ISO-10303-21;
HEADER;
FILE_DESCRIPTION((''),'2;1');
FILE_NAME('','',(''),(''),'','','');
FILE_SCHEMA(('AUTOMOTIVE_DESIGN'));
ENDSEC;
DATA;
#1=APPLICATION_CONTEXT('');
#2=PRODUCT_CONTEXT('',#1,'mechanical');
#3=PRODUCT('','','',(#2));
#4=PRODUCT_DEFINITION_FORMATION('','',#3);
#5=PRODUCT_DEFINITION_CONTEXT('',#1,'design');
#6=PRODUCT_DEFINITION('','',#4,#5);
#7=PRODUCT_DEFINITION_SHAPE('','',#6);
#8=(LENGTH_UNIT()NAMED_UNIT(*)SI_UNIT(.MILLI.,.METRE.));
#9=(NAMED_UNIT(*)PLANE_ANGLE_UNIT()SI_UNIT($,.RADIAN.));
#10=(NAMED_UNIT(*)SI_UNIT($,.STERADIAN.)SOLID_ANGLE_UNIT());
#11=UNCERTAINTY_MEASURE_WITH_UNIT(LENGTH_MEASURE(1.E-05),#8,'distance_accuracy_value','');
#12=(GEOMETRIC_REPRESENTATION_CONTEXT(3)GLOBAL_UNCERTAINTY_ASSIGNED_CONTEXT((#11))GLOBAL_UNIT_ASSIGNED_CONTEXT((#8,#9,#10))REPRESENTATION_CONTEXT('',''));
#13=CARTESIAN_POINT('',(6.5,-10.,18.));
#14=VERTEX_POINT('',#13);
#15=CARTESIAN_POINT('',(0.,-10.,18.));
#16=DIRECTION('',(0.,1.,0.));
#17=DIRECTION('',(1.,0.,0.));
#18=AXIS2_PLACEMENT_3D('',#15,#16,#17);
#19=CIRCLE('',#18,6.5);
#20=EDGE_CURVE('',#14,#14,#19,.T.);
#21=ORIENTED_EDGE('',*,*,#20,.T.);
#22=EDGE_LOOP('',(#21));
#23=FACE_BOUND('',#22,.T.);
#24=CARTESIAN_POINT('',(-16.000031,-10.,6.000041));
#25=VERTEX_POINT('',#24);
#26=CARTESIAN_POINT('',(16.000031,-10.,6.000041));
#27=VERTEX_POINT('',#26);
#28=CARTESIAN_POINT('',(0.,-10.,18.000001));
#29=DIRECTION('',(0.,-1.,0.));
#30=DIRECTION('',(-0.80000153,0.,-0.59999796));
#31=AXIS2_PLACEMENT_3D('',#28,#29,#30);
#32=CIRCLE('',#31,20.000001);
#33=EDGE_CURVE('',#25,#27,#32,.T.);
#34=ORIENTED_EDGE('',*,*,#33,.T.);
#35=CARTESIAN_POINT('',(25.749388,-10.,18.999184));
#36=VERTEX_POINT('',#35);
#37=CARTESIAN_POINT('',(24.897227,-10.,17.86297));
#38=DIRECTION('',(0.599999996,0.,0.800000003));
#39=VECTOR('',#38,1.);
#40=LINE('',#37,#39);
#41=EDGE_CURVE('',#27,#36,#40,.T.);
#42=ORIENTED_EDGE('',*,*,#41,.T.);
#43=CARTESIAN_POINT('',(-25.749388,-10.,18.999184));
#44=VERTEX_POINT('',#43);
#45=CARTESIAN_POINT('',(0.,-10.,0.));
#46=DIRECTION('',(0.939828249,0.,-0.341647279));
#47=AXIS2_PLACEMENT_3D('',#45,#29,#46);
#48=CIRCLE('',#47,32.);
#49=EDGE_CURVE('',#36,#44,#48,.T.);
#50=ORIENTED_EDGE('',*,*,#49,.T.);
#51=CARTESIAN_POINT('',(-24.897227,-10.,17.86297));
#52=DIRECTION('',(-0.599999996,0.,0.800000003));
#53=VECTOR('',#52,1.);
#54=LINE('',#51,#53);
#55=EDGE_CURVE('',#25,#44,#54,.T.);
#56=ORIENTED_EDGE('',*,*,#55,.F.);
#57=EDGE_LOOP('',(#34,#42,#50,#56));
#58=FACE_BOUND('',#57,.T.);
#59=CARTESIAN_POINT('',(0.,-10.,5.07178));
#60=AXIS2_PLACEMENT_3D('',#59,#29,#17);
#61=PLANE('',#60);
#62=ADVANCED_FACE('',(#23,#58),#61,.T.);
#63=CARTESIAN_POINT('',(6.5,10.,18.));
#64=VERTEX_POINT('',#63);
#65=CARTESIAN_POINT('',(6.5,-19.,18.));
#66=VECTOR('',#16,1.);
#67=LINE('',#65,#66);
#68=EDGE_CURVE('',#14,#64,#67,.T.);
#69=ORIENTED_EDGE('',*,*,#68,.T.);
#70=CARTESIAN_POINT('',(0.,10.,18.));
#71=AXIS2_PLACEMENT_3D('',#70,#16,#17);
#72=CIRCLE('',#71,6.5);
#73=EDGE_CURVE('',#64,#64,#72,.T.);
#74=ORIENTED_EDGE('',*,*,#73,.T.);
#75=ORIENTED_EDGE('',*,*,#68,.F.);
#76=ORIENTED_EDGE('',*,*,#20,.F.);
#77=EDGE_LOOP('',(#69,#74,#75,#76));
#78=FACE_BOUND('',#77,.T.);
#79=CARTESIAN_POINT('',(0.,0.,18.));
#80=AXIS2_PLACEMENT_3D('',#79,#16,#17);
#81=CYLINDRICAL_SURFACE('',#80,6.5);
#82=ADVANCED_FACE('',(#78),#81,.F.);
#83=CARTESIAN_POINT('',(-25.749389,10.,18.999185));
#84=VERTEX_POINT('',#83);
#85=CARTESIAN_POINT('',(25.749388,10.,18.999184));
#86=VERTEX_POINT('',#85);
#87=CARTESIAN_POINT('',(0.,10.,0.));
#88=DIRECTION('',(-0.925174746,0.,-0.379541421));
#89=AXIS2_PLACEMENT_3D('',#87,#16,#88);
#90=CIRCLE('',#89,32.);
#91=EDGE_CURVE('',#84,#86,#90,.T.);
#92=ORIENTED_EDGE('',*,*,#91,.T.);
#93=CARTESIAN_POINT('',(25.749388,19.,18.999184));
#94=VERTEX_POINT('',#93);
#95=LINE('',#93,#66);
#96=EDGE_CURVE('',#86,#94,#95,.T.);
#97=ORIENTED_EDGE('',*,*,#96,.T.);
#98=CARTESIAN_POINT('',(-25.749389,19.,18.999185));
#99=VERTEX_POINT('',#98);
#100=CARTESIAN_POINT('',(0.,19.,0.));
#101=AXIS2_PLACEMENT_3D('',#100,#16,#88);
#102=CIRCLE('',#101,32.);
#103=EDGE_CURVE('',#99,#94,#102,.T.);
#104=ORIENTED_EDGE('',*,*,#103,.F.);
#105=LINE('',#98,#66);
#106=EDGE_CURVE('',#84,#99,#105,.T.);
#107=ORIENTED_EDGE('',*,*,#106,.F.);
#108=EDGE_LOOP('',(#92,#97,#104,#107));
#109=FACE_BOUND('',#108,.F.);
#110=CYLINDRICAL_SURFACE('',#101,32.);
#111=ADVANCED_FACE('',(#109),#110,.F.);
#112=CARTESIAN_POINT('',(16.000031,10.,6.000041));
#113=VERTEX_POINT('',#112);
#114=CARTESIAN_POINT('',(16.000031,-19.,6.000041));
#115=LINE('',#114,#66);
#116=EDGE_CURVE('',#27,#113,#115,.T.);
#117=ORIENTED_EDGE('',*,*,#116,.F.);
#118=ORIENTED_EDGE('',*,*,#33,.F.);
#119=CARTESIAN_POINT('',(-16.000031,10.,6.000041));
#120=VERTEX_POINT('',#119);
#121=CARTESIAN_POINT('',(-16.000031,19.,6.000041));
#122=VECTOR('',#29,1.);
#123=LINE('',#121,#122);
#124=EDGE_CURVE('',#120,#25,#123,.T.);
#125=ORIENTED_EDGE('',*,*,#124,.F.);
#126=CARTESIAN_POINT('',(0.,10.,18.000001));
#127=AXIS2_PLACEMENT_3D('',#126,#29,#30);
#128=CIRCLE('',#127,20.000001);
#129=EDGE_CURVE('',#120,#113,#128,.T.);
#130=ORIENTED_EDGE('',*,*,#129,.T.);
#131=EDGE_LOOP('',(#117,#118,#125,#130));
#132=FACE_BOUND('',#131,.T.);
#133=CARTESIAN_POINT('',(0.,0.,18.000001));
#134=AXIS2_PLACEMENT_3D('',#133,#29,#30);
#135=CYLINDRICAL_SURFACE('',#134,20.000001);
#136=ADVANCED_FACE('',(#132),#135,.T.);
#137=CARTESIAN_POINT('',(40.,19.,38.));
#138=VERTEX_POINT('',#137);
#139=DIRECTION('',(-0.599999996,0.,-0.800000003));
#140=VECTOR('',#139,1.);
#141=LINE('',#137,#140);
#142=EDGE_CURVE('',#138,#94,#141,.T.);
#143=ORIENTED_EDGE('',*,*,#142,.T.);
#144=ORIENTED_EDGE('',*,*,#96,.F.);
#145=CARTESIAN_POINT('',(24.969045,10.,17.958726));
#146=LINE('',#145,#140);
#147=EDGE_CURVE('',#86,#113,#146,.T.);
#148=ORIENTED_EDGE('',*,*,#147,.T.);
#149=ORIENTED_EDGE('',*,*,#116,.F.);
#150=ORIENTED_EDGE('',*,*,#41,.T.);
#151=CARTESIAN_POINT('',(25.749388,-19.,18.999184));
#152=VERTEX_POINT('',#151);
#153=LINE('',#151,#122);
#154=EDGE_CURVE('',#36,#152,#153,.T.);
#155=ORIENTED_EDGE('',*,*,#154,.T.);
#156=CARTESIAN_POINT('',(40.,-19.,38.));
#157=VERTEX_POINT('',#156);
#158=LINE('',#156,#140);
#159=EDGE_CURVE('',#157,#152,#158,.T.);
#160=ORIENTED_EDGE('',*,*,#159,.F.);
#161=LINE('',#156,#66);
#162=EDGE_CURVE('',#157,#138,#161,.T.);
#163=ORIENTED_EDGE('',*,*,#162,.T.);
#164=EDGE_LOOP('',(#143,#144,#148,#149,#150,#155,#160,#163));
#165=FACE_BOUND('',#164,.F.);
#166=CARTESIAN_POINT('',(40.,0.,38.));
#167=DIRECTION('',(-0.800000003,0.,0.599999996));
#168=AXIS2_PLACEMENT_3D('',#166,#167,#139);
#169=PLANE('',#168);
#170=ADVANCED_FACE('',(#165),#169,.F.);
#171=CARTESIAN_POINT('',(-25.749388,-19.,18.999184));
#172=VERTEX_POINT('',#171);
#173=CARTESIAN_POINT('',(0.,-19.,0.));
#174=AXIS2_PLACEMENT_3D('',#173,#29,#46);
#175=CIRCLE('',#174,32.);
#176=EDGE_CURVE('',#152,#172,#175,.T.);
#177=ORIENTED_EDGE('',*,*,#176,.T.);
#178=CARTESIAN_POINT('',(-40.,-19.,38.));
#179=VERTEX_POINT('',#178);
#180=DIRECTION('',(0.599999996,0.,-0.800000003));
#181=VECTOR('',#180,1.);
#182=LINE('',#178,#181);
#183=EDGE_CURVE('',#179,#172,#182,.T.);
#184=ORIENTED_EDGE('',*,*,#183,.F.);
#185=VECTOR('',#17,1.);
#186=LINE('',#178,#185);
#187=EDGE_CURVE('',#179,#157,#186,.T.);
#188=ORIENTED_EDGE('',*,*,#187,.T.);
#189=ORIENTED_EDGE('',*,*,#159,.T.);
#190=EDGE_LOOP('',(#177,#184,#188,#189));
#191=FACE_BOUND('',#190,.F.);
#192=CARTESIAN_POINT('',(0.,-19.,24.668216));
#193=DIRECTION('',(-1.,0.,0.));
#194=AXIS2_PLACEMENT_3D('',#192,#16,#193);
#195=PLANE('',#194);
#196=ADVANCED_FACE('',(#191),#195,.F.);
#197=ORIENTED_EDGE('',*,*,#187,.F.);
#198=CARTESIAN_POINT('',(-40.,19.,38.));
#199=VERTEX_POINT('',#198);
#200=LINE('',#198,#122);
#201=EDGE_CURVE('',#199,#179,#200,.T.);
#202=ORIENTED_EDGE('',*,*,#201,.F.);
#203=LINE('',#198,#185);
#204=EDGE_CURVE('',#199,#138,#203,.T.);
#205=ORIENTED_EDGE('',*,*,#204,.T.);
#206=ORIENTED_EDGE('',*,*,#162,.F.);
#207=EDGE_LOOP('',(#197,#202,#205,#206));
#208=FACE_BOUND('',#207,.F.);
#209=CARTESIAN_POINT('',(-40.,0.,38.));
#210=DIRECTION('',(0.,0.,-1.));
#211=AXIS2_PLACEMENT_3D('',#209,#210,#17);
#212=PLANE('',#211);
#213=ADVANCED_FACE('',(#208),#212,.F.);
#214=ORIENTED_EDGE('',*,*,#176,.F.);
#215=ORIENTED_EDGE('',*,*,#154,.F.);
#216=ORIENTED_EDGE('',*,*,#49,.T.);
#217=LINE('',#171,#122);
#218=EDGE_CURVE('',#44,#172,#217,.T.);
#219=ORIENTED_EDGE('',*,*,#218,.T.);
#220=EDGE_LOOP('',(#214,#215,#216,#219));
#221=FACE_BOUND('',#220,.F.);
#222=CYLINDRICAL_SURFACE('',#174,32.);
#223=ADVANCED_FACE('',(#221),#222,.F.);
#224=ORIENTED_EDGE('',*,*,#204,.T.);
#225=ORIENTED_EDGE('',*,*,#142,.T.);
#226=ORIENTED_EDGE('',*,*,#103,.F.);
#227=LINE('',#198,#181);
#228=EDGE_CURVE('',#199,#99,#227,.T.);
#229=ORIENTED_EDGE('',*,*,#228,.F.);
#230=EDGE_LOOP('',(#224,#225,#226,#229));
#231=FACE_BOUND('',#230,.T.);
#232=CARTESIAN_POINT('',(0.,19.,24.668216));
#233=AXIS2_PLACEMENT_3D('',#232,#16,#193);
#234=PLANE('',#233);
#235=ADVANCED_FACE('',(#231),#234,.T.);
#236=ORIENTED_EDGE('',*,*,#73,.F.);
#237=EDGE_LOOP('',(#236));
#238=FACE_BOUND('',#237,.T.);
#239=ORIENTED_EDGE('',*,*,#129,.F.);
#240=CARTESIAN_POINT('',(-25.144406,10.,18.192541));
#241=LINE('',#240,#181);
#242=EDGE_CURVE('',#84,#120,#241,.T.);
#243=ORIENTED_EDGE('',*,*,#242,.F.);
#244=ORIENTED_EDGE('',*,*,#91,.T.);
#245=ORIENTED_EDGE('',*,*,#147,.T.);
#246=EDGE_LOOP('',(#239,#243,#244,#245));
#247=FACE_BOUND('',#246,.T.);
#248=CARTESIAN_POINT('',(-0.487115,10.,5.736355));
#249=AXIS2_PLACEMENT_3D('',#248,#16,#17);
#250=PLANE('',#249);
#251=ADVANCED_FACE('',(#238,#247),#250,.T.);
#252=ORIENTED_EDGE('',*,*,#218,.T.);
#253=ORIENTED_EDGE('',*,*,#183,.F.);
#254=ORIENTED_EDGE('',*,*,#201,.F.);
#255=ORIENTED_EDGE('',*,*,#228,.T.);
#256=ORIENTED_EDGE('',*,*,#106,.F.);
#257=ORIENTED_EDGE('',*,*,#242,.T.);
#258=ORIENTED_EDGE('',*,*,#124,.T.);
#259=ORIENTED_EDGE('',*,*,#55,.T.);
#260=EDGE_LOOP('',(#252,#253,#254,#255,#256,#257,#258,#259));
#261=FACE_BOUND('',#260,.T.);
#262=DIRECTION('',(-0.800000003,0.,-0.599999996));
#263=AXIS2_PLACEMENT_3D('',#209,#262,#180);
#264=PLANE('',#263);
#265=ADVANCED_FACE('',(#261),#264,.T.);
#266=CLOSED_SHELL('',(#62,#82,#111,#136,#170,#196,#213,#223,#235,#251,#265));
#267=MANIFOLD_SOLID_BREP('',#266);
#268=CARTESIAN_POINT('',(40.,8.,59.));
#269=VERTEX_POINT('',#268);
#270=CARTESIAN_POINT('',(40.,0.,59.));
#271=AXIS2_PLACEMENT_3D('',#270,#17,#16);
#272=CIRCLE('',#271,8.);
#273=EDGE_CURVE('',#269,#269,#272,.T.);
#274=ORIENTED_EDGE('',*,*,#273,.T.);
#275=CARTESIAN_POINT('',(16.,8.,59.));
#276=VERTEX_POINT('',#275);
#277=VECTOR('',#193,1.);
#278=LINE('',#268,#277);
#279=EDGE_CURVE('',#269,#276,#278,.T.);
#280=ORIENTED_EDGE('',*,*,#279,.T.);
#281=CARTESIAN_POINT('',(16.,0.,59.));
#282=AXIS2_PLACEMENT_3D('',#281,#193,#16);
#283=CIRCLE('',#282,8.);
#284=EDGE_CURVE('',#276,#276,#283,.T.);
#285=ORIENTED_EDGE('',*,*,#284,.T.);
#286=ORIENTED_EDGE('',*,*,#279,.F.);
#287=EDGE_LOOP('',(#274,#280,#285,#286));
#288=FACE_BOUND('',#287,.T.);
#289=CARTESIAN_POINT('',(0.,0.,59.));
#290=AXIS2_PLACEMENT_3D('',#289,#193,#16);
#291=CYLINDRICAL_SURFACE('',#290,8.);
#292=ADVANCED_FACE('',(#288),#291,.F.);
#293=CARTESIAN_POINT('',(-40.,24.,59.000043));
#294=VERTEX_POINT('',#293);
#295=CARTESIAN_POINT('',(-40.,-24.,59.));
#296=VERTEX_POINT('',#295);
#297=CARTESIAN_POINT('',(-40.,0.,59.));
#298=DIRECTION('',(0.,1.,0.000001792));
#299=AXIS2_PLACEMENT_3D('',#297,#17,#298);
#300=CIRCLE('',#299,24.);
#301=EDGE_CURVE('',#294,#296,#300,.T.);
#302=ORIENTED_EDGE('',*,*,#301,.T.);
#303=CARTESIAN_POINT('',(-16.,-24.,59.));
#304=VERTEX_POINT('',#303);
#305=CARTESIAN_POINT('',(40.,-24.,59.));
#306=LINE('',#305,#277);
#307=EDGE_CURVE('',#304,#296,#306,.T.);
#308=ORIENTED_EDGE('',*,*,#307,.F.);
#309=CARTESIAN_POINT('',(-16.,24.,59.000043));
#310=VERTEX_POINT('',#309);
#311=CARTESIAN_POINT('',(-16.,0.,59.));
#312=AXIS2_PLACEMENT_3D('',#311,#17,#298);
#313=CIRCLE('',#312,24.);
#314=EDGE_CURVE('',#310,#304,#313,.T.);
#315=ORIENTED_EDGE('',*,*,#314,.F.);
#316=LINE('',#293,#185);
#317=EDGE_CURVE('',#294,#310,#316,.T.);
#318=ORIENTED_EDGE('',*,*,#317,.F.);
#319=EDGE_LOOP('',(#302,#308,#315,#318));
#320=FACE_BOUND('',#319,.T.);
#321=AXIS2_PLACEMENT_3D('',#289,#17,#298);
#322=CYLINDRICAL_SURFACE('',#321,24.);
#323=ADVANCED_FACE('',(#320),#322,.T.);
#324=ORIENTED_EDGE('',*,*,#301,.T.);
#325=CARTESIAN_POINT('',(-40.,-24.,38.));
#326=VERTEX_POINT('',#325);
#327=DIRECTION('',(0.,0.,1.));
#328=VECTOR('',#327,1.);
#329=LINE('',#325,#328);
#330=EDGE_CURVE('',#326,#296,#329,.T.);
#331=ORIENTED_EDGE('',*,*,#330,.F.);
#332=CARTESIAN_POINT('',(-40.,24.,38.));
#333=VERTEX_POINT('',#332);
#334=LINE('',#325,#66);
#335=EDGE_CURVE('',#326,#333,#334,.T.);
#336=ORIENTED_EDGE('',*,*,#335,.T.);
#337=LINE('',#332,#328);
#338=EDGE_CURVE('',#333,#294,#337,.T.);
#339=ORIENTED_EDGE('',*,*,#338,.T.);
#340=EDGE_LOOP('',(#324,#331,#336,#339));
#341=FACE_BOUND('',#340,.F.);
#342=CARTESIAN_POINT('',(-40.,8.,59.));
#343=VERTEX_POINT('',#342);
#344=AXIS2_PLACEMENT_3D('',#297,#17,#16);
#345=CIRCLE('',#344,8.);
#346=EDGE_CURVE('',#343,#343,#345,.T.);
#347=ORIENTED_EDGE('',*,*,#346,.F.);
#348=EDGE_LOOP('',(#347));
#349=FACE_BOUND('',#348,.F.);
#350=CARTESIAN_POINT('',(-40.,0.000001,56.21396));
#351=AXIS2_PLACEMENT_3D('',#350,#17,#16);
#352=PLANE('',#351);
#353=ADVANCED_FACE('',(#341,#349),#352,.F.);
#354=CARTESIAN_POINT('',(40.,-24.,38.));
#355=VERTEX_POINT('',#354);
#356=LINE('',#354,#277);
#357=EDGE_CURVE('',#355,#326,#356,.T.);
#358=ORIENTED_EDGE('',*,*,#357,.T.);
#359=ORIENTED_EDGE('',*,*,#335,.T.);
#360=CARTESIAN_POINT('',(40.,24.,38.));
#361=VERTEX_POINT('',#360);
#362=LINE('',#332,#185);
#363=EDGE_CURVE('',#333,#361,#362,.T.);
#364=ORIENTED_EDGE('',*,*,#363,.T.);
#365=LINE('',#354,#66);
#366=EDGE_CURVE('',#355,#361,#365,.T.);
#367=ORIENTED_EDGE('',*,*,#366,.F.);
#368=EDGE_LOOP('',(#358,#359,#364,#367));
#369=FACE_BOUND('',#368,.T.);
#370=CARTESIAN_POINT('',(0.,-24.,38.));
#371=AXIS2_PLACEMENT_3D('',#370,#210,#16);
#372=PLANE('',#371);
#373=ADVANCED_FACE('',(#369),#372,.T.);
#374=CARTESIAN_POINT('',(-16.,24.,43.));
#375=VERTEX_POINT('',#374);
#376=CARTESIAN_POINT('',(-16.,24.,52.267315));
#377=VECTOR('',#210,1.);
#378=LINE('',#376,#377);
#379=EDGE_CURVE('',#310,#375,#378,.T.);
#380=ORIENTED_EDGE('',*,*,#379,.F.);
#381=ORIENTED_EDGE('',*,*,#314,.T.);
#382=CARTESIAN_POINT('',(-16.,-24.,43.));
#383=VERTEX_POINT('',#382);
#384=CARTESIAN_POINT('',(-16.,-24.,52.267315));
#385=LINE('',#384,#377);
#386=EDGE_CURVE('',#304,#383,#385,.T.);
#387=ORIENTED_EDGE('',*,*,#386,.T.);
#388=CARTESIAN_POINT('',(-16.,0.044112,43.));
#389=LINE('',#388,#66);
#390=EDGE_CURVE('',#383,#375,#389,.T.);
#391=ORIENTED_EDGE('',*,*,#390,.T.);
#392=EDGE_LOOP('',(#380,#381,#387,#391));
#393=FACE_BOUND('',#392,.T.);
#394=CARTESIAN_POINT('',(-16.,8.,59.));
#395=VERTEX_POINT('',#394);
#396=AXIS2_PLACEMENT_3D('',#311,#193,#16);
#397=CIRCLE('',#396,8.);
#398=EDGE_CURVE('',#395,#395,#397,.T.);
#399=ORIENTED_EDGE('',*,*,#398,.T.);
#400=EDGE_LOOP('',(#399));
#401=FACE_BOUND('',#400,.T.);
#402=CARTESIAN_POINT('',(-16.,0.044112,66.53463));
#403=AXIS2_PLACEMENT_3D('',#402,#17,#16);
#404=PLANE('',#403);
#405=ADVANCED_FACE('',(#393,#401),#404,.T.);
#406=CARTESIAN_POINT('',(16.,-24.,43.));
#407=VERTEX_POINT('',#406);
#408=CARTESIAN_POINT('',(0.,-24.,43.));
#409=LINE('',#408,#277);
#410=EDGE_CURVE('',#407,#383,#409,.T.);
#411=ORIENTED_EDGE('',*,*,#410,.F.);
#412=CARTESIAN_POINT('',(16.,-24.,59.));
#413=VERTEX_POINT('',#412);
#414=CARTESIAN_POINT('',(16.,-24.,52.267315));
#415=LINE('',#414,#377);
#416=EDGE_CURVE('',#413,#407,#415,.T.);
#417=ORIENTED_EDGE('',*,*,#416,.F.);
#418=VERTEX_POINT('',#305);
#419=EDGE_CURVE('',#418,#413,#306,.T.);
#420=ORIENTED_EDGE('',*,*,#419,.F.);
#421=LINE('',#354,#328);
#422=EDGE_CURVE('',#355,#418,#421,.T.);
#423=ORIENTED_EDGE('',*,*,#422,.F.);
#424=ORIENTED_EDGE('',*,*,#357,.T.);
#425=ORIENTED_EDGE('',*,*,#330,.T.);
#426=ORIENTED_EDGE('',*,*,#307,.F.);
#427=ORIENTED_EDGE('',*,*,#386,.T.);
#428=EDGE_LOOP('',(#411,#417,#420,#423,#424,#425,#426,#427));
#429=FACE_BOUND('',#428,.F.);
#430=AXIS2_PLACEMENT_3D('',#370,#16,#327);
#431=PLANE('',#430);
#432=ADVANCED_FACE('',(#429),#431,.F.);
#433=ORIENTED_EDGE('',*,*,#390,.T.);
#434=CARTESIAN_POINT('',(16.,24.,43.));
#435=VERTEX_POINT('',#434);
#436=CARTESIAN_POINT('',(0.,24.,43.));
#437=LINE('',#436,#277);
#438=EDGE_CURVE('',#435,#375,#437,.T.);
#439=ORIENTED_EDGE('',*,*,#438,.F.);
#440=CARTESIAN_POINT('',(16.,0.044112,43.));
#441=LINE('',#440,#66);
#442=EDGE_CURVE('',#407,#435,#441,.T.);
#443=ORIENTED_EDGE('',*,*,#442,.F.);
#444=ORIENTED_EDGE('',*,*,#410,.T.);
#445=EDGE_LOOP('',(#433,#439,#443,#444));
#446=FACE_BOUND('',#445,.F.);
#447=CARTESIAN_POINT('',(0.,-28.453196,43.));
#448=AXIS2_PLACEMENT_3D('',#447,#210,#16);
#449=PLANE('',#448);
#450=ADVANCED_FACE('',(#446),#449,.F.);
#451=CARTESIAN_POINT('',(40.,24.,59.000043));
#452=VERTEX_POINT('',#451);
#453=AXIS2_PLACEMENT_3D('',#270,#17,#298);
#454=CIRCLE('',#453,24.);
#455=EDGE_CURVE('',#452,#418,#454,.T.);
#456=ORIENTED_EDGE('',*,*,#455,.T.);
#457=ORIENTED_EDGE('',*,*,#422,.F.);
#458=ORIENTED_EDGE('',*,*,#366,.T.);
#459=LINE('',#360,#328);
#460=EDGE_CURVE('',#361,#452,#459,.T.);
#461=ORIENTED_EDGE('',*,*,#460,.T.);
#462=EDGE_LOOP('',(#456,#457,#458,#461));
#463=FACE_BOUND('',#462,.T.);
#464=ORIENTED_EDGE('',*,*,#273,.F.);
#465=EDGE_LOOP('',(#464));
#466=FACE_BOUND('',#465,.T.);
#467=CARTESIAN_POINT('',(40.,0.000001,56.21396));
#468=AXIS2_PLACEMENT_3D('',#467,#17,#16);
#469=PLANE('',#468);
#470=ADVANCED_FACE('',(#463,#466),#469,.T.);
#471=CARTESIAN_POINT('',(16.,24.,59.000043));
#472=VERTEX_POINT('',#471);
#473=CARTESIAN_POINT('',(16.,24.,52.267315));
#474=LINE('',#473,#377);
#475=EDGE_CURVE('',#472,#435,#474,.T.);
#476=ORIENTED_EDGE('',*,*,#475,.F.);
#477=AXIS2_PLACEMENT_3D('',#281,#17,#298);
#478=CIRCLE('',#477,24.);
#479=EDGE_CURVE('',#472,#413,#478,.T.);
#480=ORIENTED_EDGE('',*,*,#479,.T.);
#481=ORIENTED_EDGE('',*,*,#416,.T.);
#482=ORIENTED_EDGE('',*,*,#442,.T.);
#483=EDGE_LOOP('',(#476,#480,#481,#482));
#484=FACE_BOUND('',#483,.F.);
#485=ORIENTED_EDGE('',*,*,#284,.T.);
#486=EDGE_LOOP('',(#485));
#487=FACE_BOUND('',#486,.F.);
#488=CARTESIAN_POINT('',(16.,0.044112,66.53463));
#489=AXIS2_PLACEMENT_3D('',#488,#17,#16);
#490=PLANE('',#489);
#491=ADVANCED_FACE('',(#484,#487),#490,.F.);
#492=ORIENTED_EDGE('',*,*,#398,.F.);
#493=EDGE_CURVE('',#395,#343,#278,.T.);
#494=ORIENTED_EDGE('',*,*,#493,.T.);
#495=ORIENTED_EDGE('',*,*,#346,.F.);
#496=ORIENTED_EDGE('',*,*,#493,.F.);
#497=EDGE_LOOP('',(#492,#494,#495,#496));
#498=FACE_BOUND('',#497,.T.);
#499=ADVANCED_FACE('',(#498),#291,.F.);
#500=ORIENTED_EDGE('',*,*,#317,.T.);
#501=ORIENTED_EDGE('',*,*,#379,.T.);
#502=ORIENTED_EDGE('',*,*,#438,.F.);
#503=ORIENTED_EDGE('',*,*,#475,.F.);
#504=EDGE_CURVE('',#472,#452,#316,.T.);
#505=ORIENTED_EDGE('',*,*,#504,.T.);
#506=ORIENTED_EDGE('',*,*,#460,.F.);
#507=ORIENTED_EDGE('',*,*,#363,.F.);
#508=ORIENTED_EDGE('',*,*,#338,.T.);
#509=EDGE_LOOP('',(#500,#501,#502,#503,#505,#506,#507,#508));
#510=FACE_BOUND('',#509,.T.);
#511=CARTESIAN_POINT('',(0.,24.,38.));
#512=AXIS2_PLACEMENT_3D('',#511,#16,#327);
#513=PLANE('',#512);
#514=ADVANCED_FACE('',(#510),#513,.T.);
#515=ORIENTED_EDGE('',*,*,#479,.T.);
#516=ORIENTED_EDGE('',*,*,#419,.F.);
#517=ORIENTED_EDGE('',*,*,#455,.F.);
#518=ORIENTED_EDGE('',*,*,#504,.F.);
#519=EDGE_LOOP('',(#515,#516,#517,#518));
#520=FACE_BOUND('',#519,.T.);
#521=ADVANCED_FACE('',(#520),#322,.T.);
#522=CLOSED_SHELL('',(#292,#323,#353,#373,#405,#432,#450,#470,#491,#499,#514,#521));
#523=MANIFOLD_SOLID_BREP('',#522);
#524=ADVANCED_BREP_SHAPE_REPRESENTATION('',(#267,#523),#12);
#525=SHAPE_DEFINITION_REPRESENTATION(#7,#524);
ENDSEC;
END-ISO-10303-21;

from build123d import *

# Parameters (mm, degrees)
SKETCH001_W     = 56.994616
SKETCH001_H     = 47.06926
PAD001_DEPTH    = 16
SKETCH_R        = 8
PAD_DEPTH       = 40
SKETCH002_R     = 6.5
PAD002_DEPTH    = 19
POCKET_DEPTH    = 9
POCKET001_DEPTH = 9


with BuildPart() as pad001:
    # Sketch001 → Pad001 (new body, symmetric)
    with BuildSketch(Plane.YZ):
        with Locations((0.044112, 66.53463)):
            Rectangle(SKETCH001_W, SKETCH001_H)
    extrude(amount=PAD001_DEPTH, both=True)


with BuildPart() as cut:
    # Sketch → Pad (new body, symmetric)
    with BuildSketch(Plane.YZ):
        with BuildLine():
            Line((-24, 38), (24, 38))
            Line((24, 38), (24, 59.000043))
            ThreePointArc((24, 59.000043), (-2.1e-05, 83), (-24, 59))
            Line((-24, 38), (-24, 59))
        make_face()
        with Locations((0, 59)):
            Circle(SKETCH_R, mode=Mode.SUBTRACT)
    extrude(amount=PAD_DEPTH, both=True)

    # Cut: cut Pad001
    add(pad001.part, mode=Mode.SUBTRACT)


with BuildPart() as pocket001:
    # Sketch002 → Pad002 (new body, symmetric)
    with BuildSketch(Plane.XZ):
        with BuildLine():
            Line((-40, 38), (40, 38))
            Line((40, 38), (16.000031, 6.000041))
            ThreePointArc((-16.000031, 6.000041), (0, -2), (16.000031, 6.000041))
            Line((-40, 38), (-16.000031, 6.000041))
        make_face()
        with Locations((0, 18)):
            Circle(SKETCH002_R, mode=Mode.SUBTRACT)
    extrude(amount=PAD002_DEPTH, both=True)

    # Sketch003 → Pocket (cut)
    with BuildSketch(Plane.XZ.offset(19)):
        with BuildLine():
            ThreePointArc((30.074504, -10.932713), (0, 32), (-30.074504, -10.932713))
            Line((-30.074504, -10.932713), (30.074504, -10.932713))
        make_face()
    extrude(amount=-POCKET_DEPTH, mode=Mode.SUBTRACT)

    # Sketch004 → Pocket001 (cut)
    with BuildSketch(Plane(origin=(0, 19, 0), x_dir=(1, 0, 0), z_dir=(0, 1, 0))):
        with BuildLine():
            ThreePointArc((-29.605592, 12.145325), (-2.707603, -31.885246), (31.229606, 6.979376))
            Line((31.229606, 6.979376), (-29.605592, 12.145325))
        make_face()
    extrude(amount=-POCKET001_DEPTH, mode=Mode.SUBTRACT)


solid = Compound([cut.part, pocket001.part])
